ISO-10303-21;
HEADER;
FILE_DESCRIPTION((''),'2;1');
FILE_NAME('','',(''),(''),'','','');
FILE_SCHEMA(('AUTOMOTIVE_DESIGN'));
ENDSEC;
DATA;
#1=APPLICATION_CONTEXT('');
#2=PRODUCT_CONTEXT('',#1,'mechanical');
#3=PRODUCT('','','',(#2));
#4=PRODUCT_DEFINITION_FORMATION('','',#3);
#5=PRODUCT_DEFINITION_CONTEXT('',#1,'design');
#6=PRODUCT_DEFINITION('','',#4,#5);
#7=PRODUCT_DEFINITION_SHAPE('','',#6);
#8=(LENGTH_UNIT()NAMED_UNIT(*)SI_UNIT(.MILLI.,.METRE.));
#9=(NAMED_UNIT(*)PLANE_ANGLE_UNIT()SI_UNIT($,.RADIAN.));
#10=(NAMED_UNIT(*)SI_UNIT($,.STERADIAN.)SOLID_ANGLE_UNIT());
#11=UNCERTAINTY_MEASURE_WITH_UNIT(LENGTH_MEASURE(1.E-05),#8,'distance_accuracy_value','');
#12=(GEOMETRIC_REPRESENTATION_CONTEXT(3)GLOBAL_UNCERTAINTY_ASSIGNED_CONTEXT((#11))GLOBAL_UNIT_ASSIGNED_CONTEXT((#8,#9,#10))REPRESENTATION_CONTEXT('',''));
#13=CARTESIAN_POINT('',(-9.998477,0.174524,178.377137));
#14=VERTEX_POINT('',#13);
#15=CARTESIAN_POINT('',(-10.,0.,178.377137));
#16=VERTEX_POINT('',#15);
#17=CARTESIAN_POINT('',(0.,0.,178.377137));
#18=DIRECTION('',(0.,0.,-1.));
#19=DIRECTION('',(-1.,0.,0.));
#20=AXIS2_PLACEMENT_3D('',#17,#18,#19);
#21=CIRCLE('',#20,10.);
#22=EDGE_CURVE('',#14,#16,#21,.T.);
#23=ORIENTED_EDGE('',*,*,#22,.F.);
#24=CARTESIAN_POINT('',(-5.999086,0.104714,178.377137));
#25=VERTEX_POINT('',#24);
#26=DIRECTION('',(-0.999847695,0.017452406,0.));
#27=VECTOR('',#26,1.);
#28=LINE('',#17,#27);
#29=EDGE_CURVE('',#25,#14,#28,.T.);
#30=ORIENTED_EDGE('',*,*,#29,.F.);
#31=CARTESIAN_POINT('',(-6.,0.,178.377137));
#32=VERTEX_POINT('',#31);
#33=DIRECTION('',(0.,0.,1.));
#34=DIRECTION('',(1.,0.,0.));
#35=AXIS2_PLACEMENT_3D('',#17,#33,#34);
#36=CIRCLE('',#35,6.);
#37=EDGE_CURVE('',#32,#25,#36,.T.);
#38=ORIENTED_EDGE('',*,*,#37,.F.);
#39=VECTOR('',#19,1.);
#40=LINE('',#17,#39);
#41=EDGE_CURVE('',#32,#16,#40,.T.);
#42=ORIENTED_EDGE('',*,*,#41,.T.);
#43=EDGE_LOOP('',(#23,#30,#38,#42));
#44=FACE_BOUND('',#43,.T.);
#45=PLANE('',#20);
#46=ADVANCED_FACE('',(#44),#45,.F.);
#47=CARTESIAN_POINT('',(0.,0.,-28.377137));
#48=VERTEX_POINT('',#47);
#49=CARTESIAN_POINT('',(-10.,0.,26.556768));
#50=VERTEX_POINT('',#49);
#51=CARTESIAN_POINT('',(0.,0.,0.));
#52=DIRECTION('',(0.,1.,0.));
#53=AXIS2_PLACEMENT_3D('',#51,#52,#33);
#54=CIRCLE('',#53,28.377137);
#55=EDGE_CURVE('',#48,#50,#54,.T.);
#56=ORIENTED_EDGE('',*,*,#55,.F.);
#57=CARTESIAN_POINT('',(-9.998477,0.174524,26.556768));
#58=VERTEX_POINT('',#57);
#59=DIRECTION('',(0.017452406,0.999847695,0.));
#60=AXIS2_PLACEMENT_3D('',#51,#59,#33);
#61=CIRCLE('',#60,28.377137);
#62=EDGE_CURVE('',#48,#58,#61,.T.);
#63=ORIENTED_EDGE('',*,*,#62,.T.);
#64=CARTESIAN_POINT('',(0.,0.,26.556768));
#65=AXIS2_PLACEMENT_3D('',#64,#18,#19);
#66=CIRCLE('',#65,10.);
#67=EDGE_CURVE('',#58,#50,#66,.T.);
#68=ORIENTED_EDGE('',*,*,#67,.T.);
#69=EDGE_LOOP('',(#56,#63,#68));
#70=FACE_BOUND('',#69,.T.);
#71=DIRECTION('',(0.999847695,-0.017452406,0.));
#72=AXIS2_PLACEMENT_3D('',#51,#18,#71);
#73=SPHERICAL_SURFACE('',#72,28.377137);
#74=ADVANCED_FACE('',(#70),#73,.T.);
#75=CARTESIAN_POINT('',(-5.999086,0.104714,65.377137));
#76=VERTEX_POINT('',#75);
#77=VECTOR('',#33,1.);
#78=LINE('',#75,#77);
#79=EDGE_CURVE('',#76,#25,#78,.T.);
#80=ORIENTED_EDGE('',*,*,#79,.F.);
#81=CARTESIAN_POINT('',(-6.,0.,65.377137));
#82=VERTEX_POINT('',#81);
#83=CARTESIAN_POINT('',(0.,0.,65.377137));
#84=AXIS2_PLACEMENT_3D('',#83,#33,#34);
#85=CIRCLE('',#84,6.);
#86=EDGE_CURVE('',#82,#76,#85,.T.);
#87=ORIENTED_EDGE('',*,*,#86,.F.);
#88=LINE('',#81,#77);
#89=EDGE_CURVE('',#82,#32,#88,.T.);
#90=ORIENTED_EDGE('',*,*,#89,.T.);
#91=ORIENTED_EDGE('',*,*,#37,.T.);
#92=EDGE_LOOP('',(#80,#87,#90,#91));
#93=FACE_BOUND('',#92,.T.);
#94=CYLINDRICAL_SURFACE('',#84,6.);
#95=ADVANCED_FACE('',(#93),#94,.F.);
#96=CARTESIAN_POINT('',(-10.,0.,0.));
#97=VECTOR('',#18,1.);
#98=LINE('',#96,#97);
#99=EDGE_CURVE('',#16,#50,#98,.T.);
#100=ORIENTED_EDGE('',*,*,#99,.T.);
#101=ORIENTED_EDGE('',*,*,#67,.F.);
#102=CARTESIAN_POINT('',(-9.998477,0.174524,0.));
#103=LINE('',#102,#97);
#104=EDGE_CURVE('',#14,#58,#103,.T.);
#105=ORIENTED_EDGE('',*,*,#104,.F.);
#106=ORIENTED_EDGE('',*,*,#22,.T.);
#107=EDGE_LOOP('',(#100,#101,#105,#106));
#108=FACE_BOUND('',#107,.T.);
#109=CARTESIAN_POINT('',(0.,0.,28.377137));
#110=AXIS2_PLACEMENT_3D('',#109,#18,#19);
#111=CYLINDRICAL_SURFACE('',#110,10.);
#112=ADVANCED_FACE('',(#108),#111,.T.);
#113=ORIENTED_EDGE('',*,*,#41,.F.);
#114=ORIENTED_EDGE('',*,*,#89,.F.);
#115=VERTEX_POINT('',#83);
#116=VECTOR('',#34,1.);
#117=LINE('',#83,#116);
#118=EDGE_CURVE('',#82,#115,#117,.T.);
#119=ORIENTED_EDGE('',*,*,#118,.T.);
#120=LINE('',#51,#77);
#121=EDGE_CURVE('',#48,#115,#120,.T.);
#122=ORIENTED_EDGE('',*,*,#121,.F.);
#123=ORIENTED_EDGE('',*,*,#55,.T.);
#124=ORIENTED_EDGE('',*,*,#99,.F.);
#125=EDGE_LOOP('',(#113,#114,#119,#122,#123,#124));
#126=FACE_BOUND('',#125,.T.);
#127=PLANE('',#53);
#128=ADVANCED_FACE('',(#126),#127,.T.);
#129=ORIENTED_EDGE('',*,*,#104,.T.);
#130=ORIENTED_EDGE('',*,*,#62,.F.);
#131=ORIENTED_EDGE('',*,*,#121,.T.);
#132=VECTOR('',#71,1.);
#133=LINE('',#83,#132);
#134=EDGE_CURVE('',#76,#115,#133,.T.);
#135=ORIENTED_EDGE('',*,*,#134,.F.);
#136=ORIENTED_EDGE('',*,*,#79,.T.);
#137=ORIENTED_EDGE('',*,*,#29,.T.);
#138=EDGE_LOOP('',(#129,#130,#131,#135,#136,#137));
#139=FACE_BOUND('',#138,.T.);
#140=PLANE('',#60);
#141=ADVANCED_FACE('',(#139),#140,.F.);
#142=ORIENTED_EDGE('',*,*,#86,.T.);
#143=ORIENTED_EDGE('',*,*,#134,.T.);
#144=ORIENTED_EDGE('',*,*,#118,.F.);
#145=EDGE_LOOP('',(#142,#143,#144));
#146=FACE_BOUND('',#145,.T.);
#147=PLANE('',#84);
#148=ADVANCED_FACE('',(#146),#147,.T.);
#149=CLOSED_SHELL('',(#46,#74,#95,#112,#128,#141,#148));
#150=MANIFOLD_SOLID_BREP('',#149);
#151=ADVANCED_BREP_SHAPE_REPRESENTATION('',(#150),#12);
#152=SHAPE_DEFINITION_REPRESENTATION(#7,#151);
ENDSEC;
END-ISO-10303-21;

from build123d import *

# Parameters (mm, degrees)
REVOLVE4_ANGLE     = 359
SKETCH9_R          = 6
CUT_EXTRUDE2_DEPTH = 113


with BuildPart() as part:
    # Sketch2 → Revolve4 (revolve)
    with BuildSketch(Plane(origin=(0, 0, 0), x_dir=(1, 0, 0), z_dir=(0, 1, 0))):
        with BuildLine():
            Line((0, 28.377137052), (0, -28.377137052))
            ThreePointArc((0, -28.377137052), (-28.377137052, 0), (0, 28.377137052))
        make_face()
        with BuildLine():
            Line((0, -178.377137052), (0, -28.377137052))
            ThreePointArc((0, -28.377137052), (-5.082168455, -27.91833575), (-10, -26.556767636))
            Line((-10, -26.556767636), (-10, -178.377137052))
            Line((-10, -178.377137052), (0, -178.377137052))
        make_face()
    revolve(axis=Axis((0, 0, 28.377137052), (0, 0, 1)), revolution_arc=REVOLVE4_ANGLE)

    # Sketch9 → Cut-Extrude2 (cut)
    with BuildSketch(Plane.XY.offset(178.377137052)):
        Circle(SKETCH9_R)
    extrude(amount=-CUT_EXTRUDE2_DEPTH, mode=Mode.SUBTRACT)


solid = part.part
